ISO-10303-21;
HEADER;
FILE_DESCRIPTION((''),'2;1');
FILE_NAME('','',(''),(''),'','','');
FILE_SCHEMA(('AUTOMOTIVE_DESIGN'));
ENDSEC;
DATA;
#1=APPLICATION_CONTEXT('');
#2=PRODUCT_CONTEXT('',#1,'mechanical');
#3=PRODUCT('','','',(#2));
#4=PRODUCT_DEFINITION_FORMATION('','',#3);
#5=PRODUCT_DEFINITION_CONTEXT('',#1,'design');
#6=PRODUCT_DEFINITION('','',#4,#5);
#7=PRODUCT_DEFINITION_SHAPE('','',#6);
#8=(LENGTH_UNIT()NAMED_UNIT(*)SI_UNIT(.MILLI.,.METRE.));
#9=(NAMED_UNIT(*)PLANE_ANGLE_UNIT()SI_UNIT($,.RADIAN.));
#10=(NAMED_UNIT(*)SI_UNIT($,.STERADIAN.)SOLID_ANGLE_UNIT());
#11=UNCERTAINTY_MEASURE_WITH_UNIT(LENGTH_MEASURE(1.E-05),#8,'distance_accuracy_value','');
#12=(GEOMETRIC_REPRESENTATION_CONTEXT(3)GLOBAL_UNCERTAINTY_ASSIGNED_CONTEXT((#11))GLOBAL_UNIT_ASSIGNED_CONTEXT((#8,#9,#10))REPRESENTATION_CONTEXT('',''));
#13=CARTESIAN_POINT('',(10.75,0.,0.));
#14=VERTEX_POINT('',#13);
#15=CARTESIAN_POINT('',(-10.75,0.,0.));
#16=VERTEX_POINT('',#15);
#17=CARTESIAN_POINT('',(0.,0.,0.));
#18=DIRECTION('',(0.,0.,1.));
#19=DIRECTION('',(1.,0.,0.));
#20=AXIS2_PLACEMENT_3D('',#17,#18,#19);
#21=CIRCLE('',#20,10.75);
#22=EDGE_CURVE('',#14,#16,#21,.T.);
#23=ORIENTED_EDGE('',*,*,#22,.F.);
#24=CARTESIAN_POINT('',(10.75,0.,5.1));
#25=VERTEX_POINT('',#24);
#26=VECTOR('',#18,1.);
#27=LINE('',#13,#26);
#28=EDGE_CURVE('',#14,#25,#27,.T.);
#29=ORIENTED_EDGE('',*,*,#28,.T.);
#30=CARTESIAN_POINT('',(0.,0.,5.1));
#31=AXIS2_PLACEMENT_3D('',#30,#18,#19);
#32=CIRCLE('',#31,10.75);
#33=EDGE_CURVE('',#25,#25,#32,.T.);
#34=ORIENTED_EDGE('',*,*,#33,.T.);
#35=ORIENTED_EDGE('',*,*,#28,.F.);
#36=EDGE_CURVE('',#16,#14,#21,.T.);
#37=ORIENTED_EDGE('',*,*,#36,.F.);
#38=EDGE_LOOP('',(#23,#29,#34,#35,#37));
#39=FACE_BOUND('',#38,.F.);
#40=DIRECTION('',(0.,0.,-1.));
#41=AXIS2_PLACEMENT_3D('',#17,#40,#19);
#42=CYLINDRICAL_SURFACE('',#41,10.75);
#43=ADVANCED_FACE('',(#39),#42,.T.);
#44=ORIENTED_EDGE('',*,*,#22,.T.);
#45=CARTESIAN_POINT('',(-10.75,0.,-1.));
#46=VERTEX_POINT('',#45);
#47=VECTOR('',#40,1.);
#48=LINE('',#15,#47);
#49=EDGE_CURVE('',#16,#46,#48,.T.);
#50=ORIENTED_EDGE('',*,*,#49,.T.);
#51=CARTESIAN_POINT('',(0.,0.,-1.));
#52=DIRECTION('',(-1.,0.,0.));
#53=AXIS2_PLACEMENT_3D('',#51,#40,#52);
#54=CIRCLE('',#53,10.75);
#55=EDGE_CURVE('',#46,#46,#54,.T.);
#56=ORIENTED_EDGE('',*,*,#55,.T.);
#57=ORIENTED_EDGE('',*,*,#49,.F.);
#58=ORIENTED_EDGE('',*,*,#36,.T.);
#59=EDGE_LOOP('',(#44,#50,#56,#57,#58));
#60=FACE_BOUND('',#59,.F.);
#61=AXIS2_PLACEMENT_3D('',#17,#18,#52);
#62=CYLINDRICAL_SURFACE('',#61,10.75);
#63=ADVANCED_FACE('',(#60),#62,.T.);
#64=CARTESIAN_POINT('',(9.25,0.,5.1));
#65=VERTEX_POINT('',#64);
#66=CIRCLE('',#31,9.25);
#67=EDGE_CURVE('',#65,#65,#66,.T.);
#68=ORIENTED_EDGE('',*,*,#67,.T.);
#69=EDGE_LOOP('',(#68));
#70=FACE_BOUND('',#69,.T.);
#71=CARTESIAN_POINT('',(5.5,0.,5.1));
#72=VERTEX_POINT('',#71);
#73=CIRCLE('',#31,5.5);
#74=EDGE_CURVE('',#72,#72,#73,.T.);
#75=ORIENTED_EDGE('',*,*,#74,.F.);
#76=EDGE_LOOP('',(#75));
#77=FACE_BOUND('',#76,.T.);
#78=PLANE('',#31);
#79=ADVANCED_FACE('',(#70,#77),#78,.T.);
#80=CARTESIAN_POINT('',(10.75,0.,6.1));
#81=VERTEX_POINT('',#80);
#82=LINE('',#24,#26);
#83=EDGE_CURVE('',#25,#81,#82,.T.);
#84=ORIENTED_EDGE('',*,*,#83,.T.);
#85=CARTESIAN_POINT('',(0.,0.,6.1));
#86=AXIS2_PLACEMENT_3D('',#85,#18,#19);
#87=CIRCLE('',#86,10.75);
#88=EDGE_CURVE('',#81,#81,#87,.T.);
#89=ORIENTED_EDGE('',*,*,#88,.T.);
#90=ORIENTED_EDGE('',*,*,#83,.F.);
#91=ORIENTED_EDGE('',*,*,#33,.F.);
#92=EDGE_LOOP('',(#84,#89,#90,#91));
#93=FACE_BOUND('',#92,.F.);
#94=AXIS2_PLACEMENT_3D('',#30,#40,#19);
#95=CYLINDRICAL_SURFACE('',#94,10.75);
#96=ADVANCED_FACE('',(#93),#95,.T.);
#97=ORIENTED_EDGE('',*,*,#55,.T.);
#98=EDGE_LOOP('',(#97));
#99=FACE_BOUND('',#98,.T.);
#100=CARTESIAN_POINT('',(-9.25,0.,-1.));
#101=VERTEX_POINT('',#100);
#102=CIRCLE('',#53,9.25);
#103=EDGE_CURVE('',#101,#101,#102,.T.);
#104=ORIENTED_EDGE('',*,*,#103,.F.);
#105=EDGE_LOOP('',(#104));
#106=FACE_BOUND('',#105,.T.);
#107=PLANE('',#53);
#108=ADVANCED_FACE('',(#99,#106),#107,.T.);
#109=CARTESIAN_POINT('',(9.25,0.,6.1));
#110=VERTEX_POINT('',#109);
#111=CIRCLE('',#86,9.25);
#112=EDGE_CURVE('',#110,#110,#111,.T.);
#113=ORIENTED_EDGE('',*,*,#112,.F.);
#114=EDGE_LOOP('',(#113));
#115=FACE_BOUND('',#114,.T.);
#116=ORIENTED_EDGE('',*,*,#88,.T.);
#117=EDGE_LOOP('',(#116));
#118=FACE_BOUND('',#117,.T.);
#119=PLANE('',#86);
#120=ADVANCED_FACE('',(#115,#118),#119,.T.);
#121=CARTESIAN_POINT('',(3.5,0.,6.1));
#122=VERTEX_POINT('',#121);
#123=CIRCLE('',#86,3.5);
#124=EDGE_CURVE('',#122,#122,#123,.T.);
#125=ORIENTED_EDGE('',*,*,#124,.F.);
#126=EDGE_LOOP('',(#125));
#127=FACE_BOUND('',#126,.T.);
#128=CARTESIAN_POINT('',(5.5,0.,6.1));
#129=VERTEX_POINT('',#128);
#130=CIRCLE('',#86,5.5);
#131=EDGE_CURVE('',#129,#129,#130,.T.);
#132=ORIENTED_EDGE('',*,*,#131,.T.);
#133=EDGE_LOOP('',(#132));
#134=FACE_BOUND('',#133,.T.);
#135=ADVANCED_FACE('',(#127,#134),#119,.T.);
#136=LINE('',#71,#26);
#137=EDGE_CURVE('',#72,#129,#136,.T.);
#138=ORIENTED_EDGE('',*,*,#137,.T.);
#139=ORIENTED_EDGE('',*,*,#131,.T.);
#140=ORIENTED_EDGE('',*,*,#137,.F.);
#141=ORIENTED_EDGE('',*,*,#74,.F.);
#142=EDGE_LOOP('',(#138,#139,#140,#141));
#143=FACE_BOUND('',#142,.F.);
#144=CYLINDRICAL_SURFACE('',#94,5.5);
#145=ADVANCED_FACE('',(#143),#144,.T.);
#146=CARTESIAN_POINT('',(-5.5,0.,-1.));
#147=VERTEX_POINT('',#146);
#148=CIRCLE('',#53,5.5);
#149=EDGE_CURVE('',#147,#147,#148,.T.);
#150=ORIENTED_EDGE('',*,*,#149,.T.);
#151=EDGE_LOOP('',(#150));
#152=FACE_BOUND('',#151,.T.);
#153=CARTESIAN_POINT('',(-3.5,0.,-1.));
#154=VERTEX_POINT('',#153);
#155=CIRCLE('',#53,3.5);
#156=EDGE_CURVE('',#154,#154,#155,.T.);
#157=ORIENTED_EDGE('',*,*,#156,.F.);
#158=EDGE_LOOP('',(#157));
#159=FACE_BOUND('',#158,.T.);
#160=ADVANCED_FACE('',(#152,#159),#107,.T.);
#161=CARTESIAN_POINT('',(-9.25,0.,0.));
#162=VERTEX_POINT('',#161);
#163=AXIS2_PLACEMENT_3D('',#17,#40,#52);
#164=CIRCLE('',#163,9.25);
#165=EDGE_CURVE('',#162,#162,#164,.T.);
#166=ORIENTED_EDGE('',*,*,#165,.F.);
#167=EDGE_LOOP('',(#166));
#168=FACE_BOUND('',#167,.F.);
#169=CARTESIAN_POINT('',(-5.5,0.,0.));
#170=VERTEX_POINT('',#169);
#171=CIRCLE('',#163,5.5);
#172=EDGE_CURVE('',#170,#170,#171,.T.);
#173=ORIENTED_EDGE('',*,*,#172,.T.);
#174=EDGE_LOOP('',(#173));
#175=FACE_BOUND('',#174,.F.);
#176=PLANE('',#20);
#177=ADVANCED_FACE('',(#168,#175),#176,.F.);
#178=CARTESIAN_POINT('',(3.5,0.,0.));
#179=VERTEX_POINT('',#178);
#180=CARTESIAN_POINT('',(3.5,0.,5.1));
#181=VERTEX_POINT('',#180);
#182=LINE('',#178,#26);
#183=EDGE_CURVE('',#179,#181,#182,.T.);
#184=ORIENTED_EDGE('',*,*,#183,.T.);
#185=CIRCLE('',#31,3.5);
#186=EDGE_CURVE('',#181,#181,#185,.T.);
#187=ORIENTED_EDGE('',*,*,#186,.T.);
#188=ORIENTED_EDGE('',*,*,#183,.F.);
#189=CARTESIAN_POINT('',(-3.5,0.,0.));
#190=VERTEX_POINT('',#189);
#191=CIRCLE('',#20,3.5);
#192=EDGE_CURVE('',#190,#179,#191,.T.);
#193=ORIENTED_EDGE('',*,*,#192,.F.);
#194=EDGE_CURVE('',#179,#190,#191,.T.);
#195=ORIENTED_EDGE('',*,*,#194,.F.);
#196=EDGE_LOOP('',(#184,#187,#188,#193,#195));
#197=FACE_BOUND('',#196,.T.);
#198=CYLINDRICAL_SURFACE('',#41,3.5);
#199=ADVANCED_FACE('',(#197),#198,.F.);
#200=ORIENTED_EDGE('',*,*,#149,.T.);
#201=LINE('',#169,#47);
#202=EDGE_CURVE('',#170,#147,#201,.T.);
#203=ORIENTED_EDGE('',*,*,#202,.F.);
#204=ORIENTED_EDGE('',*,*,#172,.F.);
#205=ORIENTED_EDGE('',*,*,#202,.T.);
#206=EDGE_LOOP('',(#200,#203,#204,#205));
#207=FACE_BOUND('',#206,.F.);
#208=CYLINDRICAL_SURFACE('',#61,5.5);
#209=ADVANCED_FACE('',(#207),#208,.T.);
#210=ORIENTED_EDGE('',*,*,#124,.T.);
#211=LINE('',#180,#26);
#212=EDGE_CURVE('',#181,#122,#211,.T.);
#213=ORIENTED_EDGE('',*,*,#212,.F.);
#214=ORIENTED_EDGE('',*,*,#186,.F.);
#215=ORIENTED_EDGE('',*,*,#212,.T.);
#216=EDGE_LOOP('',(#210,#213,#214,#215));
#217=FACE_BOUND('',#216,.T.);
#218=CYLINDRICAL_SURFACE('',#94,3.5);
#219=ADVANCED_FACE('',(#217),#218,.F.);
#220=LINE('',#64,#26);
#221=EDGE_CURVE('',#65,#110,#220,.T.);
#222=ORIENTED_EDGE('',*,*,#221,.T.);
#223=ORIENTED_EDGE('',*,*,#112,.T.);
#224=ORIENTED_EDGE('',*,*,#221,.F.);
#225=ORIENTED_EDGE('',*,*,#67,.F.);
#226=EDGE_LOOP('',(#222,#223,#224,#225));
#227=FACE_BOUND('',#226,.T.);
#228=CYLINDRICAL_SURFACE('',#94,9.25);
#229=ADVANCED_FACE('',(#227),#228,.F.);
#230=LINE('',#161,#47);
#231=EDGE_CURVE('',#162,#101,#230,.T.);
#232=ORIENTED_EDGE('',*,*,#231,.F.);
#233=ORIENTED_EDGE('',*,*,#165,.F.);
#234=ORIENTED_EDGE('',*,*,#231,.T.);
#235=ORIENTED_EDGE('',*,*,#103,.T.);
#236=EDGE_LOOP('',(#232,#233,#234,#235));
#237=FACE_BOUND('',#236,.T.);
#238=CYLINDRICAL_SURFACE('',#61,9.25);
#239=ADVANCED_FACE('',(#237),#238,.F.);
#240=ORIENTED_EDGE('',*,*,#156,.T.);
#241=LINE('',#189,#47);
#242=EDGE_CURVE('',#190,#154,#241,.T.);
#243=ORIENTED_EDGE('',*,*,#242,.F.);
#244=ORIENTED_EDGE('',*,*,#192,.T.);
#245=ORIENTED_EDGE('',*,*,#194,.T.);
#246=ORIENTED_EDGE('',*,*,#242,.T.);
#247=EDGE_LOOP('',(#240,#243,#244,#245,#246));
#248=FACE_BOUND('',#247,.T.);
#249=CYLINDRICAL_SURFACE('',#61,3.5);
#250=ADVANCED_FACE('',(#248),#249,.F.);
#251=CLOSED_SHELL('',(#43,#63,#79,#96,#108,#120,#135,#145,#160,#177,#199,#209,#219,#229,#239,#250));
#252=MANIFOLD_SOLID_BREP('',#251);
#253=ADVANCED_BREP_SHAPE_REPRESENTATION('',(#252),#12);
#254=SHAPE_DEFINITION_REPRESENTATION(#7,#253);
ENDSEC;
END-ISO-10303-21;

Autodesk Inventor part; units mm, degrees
ref_plane "YZ Plane" through (0, 0, 0) normal (1, 0, 0) x (0, 1, 0)
ref_plane "XZ Plane" through (0, 0, 0) normal (0, 1, 0) x (-1, 0, 0)
ref_plane "XY Plane" through (0, 0, 0) normal (0, 0, 1) x (1, 0, 0)
sketch "Sketch1" plane through (0, 0, 0) normal (0, 0, 1) x (1, 0, 0)
  circle A0 centre (0, 0) radius 3.5
  circle A1 centre (0, 0) radius 10.75
  dimension "d0" = 7
  dimension "d1" = 21.5
extrude "Extrusion1" add sketch "Sketch1" along normal blind 5.1
sketch "Sketch2" plane through (0, 0, 5.1) normal (0, 0, 1) x (1, 0, 0)
  circle A0 centre (0, 0) radius 10.75 projected
  circle A1 centre (0, 0) radius 3.5 projected
  circle A2 centre (0, 0) radius 5.5
  circle A3 centre (0, 0) radius 9.25
  dimension "d4" = 11
  dimension "d5" = 18.5
sketch "Sketch3" plane through (0, 0, 0) normal (0, 0, -1) x (-1, 0, 0)
  circle A0 centre (0, 0) radius 9.25 projected
  circle A1 centre (0, 0) radius 5.5 projected
  circle A2 centre (0, 0) radius 3.5 projected
  circle A3 centre (0, 0) radius 10.75 projected
extrude "Extrusion2" add sketch "Sketch3" along normal blind 1
extrude "Extrusion3" add sketch "Sketch2" along normal blind 1
properties part number "Cojinete"
